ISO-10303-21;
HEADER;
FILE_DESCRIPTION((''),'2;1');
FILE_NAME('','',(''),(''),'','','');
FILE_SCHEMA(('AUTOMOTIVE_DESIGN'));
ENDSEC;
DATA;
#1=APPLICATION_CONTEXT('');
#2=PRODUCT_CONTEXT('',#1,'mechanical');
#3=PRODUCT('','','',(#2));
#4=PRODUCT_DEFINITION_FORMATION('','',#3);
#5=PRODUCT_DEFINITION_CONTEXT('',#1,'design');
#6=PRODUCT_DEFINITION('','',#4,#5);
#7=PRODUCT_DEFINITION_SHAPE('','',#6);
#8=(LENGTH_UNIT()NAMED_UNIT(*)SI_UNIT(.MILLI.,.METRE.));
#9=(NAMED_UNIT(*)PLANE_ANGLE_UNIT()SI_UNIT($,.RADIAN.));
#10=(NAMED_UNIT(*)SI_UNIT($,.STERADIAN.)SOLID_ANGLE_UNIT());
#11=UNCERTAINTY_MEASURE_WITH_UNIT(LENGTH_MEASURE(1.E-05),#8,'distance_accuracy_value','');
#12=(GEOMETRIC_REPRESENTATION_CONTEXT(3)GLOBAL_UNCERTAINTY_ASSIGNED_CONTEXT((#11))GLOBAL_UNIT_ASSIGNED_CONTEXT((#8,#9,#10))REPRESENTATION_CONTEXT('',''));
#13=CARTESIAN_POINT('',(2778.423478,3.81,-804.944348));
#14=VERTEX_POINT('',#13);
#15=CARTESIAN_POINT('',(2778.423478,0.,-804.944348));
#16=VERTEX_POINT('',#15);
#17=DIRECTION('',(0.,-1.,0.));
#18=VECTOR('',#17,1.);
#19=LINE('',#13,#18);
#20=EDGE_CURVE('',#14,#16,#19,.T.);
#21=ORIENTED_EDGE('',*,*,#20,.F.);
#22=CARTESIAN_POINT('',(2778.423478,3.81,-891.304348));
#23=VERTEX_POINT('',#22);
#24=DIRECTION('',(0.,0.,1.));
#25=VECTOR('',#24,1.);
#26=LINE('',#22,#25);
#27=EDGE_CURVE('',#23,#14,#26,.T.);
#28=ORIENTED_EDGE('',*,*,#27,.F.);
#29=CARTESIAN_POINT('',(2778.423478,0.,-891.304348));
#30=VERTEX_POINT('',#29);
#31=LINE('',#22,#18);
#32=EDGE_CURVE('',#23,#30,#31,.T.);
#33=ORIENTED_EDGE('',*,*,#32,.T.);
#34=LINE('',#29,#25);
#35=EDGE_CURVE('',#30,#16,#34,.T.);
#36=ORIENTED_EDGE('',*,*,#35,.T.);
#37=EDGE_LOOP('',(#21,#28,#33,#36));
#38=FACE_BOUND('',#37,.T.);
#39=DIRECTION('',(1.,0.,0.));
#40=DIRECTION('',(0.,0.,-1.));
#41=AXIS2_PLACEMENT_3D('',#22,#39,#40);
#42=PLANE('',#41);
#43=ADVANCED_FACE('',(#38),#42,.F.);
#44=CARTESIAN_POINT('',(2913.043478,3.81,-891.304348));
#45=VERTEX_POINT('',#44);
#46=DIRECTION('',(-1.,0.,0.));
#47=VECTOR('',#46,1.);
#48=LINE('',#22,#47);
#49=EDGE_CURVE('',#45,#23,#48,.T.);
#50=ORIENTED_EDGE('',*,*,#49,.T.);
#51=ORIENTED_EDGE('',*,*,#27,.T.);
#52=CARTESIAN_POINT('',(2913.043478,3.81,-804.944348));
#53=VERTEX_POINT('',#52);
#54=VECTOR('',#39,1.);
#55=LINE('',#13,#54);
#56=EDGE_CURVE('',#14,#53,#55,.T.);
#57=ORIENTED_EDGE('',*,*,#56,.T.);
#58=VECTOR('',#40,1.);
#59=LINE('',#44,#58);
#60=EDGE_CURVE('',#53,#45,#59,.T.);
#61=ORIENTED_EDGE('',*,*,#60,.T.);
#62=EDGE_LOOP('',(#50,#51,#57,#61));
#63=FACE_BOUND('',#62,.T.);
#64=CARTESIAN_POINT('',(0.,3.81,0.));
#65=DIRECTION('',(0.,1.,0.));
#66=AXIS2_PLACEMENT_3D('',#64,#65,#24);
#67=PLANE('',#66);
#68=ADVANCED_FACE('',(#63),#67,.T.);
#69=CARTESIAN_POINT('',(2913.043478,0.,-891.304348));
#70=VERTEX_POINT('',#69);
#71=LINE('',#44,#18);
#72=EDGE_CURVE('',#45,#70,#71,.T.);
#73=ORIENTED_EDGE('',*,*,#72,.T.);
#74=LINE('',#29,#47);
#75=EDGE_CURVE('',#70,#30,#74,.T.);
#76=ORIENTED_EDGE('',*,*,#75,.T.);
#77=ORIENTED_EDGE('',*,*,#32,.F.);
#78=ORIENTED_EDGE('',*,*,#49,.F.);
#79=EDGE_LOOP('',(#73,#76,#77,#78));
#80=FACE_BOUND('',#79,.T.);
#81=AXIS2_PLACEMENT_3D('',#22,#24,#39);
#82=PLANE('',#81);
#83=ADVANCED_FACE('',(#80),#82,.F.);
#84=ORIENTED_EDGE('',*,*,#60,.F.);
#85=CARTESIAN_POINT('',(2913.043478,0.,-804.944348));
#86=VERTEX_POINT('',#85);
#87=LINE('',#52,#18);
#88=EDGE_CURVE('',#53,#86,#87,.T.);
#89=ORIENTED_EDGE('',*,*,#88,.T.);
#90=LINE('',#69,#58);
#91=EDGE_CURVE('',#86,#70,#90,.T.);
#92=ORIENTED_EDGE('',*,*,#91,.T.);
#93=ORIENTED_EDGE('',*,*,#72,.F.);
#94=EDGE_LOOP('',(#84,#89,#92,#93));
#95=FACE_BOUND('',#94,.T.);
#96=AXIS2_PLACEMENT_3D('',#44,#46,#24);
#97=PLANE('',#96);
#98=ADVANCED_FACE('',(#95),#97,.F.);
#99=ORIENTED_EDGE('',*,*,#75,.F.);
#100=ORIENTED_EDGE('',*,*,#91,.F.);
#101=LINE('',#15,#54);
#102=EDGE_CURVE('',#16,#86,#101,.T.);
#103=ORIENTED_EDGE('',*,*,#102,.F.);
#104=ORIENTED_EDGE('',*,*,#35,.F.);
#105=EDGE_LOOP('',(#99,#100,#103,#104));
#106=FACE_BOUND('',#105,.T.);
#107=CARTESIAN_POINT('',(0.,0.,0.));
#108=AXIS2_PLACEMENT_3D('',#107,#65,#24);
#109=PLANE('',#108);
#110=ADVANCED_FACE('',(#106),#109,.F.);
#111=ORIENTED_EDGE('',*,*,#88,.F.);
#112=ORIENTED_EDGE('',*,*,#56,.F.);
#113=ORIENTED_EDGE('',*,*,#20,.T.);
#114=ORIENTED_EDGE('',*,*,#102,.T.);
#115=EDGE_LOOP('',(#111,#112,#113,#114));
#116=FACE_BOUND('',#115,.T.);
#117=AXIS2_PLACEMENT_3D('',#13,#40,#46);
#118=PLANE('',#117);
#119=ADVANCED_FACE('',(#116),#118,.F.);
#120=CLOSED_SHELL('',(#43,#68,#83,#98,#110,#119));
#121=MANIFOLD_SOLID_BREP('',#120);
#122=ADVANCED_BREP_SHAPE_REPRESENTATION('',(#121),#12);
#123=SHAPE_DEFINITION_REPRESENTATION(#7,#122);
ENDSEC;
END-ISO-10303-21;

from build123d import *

# Parameters (mm, degrees)
SKETCH2_W           = 134.62
SKETCH2_H           = 86.36
BOSS_EXTRUDE1_DEPTH = 3.81


with BuildPart() as part:
    # Sketch2 → Boss-Extrude1 (new body)
    with BuildSketch(Plane(origin=(0, 0, 0), x_dir=(1, 0, 0), z_dir=(0, 1, 0))):
        with Locations((2845.733478261, 848.124347826)):
            Rectangle(SKETCH2_W, SKETCH2_H)
    extrude(amount=BOSS_EXTRUDE1_DEPTH)


solid = part.part
